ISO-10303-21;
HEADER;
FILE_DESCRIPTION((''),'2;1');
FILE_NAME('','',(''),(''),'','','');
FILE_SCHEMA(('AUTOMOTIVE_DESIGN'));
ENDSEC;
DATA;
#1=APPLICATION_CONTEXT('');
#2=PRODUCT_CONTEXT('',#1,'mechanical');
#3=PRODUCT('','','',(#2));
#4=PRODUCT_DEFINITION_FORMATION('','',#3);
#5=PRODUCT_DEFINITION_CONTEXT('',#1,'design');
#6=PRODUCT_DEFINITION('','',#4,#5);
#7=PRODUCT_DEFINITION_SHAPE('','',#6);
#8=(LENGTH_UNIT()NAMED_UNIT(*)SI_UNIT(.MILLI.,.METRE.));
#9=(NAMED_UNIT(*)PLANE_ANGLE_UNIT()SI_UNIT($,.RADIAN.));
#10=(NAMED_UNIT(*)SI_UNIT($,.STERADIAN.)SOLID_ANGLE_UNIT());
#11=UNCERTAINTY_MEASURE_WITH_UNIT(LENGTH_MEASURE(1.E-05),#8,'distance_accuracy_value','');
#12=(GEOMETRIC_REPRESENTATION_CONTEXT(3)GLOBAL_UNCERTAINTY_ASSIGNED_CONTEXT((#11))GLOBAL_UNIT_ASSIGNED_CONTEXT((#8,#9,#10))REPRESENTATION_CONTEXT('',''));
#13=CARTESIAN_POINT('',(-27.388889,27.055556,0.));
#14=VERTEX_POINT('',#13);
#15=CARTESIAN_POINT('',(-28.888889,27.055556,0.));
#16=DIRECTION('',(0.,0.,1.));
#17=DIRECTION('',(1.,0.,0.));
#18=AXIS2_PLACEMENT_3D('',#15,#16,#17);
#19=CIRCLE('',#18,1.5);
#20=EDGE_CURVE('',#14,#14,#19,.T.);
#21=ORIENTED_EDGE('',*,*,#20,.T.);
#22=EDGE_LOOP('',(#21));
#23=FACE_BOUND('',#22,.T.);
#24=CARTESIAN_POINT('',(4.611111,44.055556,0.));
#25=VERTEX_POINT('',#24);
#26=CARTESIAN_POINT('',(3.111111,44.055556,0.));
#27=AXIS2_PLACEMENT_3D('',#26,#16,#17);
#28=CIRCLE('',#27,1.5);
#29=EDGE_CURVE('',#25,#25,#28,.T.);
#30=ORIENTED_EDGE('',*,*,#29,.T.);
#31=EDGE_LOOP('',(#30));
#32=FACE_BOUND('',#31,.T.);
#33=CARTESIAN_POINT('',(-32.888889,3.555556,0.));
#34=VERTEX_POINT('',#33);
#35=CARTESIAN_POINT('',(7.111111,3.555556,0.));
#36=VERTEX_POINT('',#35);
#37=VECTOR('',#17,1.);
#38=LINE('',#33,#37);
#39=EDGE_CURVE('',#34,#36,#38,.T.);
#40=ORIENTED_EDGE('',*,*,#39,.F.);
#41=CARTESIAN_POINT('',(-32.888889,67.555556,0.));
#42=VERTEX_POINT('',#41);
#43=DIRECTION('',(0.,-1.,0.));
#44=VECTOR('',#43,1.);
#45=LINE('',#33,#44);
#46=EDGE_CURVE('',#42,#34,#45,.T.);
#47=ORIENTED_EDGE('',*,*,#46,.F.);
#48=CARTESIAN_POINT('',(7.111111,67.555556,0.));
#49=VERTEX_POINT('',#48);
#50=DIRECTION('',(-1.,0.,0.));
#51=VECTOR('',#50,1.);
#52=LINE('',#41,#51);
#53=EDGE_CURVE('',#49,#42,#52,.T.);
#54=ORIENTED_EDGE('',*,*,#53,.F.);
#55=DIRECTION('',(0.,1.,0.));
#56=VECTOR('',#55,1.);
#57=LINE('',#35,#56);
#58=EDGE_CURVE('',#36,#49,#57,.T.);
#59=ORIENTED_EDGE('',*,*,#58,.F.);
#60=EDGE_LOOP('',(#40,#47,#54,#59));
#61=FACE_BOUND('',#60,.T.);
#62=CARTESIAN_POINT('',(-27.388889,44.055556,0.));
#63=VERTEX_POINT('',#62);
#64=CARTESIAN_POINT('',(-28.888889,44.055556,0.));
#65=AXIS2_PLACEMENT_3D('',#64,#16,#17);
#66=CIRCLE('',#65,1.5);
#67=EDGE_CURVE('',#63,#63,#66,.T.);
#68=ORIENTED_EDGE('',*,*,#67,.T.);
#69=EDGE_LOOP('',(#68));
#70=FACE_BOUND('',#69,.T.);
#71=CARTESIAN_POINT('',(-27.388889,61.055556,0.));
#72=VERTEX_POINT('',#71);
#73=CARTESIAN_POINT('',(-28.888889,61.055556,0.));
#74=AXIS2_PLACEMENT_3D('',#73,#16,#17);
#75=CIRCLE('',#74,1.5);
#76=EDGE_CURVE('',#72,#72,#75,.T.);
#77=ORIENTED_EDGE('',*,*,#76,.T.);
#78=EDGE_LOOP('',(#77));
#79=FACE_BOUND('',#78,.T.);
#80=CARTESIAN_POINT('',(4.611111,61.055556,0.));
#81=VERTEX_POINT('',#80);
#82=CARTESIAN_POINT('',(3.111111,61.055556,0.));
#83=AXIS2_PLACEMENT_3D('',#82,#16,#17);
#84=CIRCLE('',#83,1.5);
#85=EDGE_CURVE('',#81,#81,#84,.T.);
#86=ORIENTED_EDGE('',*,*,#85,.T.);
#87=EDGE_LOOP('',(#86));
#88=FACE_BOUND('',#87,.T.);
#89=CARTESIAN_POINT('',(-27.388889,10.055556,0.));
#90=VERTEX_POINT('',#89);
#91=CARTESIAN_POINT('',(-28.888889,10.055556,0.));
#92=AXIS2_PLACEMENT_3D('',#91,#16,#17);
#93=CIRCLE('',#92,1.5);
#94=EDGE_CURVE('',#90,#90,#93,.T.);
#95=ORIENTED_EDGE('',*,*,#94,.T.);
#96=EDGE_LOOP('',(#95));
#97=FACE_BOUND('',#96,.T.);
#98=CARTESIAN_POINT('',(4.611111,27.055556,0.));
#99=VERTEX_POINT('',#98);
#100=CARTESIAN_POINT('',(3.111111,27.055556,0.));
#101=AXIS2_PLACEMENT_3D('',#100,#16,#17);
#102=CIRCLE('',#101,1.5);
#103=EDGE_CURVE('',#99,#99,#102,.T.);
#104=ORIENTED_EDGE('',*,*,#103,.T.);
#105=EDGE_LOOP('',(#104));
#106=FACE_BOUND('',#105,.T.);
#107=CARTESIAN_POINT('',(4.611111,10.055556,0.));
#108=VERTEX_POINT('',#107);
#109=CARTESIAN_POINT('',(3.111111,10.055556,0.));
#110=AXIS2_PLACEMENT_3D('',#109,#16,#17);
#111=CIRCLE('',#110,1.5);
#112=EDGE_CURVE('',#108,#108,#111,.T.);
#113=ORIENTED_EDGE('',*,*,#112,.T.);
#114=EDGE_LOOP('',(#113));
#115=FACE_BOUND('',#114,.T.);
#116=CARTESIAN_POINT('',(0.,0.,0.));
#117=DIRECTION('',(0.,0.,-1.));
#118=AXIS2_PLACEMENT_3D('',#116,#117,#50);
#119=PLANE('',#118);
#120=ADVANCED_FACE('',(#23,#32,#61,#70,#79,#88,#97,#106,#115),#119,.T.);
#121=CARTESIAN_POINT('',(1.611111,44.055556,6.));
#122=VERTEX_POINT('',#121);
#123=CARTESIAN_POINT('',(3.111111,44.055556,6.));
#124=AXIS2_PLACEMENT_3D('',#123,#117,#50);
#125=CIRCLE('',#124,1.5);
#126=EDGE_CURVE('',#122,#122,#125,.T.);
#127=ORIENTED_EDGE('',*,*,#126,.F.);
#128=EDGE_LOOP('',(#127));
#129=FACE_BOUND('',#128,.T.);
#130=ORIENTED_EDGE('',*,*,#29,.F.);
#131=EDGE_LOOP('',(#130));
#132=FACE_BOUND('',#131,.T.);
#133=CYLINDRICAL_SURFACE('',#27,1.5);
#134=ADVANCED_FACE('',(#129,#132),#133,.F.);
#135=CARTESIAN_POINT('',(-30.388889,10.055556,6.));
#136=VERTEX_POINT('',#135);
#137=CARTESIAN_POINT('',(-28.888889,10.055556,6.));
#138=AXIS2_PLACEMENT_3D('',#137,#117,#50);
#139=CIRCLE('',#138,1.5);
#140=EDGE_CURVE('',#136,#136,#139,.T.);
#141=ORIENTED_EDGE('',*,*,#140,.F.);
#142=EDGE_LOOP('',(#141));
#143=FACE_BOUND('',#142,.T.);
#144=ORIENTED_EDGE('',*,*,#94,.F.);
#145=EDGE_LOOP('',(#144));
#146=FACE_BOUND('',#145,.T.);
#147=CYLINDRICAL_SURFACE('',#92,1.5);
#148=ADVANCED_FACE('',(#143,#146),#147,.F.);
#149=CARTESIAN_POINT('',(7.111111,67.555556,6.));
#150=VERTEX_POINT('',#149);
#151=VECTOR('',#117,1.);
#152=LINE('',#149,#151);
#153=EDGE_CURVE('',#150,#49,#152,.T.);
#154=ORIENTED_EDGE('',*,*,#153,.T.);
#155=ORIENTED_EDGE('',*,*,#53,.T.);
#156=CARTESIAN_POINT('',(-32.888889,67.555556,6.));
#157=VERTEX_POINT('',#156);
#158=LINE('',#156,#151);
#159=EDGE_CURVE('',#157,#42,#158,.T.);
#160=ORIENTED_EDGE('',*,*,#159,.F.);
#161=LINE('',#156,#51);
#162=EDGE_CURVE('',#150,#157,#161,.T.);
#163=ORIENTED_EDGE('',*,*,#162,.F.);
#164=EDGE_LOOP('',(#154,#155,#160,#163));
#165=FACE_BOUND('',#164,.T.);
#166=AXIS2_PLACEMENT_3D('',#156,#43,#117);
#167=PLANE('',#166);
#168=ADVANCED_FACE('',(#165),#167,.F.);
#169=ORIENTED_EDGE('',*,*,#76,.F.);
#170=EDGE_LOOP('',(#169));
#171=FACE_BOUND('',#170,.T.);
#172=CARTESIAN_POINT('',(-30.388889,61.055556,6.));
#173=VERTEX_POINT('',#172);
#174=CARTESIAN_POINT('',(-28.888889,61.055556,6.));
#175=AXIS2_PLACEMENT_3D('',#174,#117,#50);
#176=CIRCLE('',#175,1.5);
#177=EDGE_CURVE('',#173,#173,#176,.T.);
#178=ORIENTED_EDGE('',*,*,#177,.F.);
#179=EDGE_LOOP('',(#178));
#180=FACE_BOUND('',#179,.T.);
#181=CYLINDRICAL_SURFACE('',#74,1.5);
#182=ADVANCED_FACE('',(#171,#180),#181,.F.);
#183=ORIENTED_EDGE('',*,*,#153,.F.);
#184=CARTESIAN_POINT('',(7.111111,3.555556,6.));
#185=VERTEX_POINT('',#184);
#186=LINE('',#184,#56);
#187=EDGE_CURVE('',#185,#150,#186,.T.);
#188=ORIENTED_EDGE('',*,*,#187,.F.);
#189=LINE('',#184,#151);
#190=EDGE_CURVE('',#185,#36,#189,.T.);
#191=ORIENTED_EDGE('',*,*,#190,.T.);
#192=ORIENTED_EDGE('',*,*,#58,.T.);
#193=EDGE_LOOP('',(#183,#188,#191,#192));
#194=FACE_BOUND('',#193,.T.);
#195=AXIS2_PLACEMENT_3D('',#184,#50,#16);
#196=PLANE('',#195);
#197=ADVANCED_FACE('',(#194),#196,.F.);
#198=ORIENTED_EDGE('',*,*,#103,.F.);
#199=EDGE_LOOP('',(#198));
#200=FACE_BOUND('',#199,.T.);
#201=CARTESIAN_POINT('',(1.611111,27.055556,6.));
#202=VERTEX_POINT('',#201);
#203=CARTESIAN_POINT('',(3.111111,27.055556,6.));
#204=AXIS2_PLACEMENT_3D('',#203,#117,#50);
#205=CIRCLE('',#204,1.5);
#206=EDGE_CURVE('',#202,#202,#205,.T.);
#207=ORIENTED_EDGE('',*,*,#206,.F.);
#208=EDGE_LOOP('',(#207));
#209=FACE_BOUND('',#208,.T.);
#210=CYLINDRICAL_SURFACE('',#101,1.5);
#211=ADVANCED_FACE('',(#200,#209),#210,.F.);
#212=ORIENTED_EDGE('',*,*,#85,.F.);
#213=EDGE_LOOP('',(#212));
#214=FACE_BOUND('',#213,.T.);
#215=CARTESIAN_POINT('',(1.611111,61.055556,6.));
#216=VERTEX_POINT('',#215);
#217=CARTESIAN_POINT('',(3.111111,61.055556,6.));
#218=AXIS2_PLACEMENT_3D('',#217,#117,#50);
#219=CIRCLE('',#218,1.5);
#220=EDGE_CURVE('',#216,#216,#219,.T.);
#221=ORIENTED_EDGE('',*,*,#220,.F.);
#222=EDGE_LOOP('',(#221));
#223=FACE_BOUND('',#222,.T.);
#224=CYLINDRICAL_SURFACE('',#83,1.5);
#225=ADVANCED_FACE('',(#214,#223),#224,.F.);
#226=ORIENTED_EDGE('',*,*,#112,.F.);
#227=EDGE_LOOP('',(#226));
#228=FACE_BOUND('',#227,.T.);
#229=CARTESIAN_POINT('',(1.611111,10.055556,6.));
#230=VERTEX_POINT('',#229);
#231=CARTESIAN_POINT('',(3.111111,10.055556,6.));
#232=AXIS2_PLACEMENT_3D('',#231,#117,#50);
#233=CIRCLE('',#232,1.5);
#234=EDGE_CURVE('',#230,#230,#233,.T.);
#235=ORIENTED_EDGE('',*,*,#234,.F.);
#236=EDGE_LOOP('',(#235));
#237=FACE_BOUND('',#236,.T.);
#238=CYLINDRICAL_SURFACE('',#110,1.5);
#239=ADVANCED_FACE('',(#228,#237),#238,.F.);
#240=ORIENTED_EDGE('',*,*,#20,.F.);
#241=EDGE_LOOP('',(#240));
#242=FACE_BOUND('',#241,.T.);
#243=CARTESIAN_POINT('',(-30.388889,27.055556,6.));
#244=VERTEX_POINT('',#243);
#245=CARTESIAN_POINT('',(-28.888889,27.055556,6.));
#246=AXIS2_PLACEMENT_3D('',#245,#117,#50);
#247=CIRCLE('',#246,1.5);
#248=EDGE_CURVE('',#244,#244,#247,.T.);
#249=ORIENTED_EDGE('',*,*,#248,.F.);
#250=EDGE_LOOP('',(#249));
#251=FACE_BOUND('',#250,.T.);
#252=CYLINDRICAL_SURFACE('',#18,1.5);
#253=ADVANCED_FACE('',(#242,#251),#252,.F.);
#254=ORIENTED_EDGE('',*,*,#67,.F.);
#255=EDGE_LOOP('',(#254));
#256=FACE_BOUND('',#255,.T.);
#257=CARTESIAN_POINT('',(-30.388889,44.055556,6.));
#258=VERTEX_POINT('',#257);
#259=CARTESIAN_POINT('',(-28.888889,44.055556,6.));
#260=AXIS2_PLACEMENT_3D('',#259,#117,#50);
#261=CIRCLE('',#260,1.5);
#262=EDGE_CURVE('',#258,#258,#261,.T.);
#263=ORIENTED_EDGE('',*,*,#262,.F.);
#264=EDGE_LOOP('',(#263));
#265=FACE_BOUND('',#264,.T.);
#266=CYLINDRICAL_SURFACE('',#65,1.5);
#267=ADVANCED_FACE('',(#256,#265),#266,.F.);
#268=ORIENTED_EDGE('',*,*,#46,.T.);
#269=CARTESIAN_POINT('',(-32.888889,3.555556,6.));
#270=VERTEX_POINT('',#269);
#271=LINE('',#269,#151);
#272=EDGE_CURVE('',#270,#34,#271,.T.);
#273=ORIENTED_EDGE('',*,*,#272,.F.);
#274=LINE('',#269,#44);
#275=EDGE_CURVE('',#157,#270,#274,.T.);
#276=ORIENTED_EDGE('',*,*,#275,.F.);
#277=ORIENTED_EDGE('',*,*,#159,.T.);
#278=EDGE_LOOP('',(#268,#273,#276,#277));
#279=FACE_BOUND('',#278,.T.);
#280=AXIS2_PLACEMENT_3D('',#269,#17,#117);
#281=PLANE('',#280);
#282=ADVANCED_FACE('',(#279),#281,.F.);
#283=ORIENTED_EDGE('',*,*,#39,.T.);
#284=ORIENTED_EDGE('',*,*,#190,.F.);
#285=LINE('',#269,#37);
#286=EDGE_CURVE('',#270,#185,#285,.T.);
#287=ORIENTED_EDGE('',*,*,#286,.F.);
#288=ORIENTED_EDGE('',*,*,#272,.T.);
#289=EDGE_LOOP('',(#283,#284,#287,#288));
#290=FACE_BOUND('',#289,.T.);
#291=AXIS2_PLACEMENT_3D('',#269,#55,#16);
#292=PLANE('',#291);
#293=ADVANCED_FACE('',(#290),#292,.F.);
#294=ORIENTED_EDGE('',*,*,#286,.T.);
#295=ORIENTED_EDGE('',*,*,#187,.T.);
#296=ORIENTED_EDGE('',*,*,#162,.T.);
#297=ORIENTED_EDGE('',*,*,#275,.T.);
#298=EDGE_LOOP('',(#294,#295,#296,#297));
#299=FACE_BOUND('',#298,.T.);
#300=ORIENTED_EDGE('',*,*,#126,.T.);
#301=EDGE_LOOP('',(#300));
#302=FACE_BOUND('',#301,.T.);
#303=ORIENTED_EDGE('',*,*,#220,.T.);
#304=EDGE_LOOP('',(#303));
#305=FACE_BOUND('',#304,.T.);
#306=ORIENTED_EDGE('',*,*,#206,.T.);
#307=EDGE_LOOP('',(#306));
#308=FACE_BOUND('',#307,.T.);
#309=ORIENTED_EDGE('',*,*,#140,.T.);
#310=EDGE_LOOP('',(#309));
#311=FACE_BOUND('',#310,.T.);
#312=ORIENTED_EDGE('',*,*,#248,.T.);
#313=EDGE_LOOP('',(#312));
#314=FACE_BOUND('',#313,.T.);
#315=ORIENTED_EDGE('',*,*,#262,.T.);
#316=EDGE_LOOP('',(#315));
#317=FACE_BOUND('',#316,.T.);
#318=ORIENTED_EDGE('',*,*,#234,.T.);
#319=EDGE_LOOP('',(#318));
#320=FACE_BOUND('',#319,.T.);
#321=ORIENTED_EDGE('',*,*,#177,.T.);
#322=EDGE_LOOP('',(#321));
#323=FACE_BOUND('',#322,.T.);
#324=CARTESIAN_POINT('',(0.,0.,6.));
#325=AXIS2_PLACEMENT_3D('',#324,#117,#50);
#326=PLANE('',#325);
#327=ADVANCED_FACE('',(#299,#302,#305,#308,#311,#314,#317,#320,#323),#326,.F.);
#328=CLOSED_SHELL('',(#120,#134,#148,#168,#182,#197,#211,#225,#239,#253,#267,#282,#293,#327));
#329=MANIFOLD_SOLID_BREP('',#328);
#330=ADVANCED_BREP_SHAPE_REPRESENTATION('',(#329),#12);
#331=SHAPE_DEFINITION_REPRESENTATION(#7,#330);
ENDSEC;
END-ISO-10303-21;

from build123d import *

# Parameters (mm, degrees)
SKETCH1_W               = 40
SKETCH1_H               = 64
BOSS_EXTRUDE1_DEPTH     = 6
SKETCH2_R               = 1.5
CUT_EXTRUDE1_DEPTH      = 1
CUT_EXTRUDE1_DEPTH_BACK = 7


with BuildPart() as part:
    # Sketch1 → Boss-Extrude1 (new body)
    with BuildSketch(Plane.XY):
        with Locations((-12.888888889, 35.555555556)):
            Rectangle(SKETCH1_W, SKETCH1_H)
    extrude(amount=BOSS_EXTRUDE1_DEPTH)

    # Sketch2 → Cut-Extrude1 (cut, two sides)
    with BuildSketch(Plane.XY.offset(6)) as cut_extrude1_sk:
        with Locations((-28.888888889, 10.055555556)):
            Circle(SKETCH2_R)
        with Locations((-28.888888889, 27.055555556)):
            Circle(SKETCH2_R)
        with Locations((-28.888888889, 44.055555556)):
            Circle(SKETCH2_R)
        with Locations((-28.888888889, 61.055555556)):
            Circle(SKETCH2_R)
        with Locations((3.111111111, 10.055555556)):
            Circle(SKETCH2_R)
        with Locations((3.111111111, 27.055555556)):
            Circle(SKETCH2_R)
        with Locations((3.111111111, 44.055555556)):
            Circle(SKETCH2_R)
        with Locations((3.111111111, 61.055555556)):
            Circle(SKETCH2_R)
    extrude(amount=CUT_EXTRUDE1_DEPTH, mode=Mode.SUBTRACT)
    extrude(cut_extrude1_sk.sketch, amount=-CUT_EXTRUDE1_DEPTH_BACK, mode=Mode.SUBTRACT)


solid = part.part
